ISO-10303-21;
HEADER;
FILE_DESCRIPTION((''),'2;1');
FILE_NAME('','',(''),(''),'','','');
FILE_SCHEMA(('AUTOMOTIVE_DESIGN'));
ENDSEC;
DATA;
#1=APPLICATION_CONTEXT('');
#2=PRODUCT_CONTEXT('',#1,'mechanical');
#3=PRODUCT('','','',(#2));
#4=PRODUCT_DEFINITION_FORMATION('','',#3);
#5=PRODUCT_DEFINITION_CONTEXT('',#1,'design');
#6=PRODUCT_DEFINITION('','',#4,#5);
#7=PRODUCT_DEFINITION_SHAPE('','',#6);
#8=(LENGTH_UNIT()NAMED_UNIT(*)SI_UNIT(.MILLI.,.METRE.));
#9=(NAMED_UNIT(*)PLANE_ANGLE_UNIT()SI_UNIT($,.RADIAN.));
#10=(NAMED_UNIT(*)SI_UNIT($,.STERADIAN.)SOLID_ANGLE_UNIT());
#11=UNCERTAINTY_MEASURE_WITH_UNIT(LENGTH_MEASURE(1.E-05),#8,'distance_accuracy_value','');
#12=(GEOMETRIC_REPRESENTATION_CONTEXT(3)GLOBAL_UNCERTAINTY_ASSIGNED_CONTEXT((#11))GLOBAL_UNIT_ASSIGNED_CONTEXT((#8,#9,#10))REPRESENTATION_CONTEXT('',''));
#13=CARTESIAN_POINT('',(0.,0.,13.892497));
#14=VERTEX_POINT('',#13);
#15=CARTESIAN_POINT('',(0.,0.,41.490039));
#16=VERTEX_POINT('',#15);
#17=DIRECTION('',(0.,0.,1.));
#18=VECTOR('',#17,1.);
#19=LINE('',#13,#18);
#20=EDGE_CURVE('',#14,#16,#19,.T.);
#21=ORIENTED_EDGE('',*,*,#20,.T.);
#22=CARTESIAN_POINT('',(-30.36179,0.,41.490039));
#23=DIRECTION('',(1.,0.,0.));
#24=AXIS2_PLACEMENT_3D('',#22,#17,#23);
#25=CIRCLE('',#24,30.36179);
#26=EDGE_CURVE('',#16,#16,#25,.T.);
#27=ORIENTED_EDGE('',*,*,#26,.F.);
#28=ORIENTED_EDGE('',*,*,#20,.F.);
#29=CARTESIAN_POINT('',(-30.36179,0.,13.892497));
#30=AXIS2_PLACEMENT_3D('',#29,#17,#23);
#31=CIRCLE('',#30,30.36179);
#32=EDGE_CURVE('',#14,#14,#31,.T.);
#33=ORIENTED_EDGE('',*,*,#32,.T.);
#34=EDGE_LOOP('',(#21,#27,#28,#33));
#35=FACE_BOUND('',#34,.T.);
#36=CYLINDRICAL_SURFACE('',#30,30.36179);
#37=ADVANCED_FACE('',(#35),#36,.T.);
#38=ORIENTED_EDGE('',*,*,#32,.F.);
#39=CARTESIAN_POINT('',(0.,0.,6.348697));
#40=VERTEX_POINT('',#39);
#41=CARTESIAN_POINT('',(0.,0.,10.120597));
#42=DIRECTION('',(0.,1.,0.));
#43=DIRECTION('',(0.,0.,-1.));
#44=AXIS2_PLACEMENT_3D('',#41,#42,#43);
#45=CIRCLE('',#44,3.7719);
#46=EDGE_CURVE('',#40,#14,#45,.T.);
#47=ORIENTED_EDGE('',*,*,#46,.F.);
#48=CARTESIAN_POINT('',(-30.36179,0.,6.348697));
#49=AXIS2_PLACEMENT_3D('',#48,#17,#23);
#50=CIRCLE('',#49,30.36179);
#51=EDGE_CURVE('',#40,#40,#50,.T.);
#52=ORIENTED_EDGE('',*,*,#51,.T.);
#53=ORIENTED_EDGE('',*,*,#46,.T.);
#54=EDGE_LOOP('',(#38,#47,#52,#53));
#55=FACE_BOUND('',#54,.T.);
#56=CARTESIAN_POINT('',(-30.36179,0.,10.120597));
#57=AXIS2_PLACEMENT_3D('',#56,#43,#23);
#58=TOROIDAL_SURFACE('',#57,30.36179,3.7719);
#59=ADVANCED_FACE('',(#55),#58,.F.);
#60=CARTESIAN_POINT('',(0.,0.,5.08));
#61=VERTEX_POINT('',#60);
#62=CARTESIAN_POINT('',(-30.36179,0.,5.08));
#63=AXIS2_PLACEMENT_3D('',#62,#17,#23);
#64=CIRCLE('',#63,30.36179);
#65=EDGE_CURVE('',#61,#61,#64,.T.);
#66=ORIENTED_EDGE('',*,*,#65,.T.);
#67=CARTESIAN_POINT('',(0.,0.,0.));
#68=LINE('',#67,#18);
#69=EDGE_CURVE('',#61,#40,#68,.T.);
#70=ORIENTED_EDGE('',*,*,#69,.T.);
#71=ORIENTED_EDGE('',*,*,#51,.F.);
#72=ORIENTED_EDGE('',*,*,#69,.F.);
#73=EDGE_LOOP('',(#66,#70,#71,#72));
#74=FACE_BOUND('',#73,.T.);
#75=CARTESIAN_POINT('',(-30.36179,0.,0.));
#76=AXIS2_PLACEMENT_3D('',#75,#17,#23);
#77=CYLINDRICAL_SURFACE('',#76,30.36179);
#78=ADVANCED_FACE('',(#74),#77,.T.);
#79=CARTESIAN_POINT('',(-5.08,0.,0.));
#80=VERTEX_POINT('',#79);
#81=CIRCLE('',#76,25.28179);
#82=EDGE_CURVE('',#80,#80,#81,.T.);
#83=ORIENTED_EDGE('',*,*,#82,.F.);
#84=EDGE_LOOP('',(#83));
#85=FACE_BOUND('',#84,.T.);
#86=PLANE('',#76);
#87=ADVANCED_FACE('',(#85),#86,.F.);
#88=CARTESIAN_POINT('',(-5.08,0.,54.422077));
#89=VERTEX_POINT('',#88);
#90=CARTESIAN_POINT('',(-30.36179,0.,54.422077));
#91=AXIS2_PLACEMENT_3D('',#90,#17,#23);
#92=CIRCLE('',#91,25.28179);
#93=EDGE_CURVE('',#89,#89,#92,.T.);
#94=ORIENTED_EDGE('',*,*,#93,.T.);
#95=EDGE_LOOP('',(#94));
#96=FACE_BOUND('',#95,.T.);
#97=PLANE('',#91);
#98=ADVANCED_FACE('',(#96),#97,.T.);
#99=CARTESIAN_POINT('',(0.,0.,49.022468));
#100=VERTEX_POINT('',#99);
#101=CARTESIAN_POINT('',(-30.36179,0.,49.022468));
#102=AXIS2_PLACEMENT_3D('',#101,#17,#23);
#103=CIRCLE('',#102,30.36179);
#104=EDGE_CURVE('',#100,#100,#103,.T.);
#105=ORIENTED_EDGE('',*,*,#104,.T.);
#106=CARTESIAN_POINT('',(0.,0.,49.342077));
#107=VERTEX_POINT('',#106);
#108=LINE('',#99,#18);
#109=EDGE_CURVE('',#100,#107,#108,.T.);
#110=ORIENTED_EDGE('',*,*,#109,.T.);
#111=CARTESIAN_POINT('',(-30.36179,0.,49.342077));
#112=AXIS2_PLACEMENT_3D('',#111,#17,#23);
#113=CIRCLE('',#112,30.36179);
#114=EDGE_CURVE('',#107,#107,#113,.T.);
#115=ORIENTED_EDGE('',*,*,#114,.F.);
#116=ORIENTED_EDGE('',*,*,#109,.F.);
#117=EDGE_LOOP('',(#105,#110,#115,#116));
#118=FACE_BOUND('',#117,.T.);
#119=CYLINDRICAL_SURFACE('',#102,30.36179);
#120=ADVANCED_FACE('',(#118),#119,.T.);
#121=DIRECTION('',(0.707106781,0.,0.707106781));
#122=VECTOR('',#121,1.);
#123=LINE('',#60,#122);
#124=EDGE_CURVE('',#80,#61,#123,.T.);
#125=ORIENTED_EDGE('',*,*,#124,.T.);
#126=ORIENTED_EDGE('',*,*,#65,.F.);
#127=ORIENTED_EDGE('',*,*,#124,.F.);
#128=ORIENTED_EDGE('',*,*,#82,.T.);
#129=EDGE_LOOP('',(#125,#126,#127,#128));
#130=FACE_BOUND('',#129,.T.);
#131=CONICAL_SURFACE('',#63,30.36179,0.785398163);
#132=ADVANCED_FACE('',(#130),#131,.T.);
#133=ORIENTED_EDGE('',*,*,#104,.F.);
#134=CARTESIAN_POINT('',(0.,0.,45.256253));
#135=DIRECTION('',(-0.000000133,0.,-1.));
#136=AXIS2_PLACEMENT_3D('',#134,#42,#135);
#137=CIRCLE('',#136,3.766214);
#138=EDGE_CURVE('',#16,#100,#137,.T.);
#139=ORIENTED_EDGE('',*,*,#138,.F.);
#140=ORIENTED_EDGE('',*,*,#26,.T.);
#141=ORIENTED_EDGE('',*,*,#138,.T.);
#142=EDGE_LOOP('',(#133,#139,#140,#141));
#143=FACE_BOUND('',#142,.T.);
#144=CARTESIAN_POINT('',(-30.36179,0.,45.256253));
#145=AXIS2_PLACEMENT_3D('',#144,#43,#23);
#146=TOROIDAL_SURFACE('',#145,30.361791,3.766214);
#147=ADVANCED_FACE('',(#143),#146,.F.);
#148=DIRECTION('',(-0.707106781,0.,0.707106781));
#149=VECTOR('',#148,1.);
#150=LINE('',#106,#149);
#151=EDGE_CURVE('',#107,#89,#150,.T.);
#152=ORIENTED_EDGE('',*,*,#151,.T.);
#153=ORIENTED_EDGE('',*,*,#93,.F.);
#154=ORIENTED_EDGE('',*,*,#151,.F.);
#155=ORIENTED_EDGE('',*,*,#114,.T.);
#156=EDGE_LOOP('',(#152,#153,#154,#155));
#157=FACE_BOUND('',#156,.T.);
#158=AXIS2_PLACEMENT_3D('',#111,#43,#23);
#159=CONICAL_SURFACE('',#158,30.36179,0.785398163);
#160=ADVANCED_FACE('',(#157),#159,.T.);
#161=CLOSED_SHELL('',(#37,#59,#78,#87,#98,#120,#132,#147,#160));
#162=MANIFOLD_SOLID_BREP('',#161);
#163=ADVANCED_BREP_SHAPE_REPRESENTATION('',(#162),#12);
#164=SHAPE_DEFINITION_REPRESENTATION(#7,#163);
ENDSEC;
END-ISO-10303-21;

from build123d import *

# Parameters (mm, degrees)
F2_SIZE = 5.08


with BuildPart() as f1:
    # F0 (on Front) → F1 (revolve)
    with BuildSketch(Plane.XZ):
        with BuildLine():
            Line((-30.36179, 0), (0, 0))
            Line((0, 0), (0, 6.348697))
            ThreePointArc((0, 6.348697), (-3.7719, 10.120597), (0, 13.892497))
            Line((0, 13.892497), (0, 41.490039))
            ThreePointArc((0, 41.490039), (-3.766214, 45.256253), (0, 49.022468))
            Line((0, 49.022468), (0, 54.422077))
            Line((0, 54.422077), (-30.36179, 54.422077))
            Line((-30.36179, 54.422077), (-30.36179, 0))
        make_face()
    revolve(axis=Axis((-30.36179, 0, 27.211038), (0, 0, 1)))

    # F2
    f2_edges = [f1.edges().sort_by_distance(p)[0] for p in [
        (-60.72358, 0, 54.422077),
        (-60.72358, 0, 0),
    ]]
    chamfer(f2_edges, length=F2_SIZE)


solid = f1.part
